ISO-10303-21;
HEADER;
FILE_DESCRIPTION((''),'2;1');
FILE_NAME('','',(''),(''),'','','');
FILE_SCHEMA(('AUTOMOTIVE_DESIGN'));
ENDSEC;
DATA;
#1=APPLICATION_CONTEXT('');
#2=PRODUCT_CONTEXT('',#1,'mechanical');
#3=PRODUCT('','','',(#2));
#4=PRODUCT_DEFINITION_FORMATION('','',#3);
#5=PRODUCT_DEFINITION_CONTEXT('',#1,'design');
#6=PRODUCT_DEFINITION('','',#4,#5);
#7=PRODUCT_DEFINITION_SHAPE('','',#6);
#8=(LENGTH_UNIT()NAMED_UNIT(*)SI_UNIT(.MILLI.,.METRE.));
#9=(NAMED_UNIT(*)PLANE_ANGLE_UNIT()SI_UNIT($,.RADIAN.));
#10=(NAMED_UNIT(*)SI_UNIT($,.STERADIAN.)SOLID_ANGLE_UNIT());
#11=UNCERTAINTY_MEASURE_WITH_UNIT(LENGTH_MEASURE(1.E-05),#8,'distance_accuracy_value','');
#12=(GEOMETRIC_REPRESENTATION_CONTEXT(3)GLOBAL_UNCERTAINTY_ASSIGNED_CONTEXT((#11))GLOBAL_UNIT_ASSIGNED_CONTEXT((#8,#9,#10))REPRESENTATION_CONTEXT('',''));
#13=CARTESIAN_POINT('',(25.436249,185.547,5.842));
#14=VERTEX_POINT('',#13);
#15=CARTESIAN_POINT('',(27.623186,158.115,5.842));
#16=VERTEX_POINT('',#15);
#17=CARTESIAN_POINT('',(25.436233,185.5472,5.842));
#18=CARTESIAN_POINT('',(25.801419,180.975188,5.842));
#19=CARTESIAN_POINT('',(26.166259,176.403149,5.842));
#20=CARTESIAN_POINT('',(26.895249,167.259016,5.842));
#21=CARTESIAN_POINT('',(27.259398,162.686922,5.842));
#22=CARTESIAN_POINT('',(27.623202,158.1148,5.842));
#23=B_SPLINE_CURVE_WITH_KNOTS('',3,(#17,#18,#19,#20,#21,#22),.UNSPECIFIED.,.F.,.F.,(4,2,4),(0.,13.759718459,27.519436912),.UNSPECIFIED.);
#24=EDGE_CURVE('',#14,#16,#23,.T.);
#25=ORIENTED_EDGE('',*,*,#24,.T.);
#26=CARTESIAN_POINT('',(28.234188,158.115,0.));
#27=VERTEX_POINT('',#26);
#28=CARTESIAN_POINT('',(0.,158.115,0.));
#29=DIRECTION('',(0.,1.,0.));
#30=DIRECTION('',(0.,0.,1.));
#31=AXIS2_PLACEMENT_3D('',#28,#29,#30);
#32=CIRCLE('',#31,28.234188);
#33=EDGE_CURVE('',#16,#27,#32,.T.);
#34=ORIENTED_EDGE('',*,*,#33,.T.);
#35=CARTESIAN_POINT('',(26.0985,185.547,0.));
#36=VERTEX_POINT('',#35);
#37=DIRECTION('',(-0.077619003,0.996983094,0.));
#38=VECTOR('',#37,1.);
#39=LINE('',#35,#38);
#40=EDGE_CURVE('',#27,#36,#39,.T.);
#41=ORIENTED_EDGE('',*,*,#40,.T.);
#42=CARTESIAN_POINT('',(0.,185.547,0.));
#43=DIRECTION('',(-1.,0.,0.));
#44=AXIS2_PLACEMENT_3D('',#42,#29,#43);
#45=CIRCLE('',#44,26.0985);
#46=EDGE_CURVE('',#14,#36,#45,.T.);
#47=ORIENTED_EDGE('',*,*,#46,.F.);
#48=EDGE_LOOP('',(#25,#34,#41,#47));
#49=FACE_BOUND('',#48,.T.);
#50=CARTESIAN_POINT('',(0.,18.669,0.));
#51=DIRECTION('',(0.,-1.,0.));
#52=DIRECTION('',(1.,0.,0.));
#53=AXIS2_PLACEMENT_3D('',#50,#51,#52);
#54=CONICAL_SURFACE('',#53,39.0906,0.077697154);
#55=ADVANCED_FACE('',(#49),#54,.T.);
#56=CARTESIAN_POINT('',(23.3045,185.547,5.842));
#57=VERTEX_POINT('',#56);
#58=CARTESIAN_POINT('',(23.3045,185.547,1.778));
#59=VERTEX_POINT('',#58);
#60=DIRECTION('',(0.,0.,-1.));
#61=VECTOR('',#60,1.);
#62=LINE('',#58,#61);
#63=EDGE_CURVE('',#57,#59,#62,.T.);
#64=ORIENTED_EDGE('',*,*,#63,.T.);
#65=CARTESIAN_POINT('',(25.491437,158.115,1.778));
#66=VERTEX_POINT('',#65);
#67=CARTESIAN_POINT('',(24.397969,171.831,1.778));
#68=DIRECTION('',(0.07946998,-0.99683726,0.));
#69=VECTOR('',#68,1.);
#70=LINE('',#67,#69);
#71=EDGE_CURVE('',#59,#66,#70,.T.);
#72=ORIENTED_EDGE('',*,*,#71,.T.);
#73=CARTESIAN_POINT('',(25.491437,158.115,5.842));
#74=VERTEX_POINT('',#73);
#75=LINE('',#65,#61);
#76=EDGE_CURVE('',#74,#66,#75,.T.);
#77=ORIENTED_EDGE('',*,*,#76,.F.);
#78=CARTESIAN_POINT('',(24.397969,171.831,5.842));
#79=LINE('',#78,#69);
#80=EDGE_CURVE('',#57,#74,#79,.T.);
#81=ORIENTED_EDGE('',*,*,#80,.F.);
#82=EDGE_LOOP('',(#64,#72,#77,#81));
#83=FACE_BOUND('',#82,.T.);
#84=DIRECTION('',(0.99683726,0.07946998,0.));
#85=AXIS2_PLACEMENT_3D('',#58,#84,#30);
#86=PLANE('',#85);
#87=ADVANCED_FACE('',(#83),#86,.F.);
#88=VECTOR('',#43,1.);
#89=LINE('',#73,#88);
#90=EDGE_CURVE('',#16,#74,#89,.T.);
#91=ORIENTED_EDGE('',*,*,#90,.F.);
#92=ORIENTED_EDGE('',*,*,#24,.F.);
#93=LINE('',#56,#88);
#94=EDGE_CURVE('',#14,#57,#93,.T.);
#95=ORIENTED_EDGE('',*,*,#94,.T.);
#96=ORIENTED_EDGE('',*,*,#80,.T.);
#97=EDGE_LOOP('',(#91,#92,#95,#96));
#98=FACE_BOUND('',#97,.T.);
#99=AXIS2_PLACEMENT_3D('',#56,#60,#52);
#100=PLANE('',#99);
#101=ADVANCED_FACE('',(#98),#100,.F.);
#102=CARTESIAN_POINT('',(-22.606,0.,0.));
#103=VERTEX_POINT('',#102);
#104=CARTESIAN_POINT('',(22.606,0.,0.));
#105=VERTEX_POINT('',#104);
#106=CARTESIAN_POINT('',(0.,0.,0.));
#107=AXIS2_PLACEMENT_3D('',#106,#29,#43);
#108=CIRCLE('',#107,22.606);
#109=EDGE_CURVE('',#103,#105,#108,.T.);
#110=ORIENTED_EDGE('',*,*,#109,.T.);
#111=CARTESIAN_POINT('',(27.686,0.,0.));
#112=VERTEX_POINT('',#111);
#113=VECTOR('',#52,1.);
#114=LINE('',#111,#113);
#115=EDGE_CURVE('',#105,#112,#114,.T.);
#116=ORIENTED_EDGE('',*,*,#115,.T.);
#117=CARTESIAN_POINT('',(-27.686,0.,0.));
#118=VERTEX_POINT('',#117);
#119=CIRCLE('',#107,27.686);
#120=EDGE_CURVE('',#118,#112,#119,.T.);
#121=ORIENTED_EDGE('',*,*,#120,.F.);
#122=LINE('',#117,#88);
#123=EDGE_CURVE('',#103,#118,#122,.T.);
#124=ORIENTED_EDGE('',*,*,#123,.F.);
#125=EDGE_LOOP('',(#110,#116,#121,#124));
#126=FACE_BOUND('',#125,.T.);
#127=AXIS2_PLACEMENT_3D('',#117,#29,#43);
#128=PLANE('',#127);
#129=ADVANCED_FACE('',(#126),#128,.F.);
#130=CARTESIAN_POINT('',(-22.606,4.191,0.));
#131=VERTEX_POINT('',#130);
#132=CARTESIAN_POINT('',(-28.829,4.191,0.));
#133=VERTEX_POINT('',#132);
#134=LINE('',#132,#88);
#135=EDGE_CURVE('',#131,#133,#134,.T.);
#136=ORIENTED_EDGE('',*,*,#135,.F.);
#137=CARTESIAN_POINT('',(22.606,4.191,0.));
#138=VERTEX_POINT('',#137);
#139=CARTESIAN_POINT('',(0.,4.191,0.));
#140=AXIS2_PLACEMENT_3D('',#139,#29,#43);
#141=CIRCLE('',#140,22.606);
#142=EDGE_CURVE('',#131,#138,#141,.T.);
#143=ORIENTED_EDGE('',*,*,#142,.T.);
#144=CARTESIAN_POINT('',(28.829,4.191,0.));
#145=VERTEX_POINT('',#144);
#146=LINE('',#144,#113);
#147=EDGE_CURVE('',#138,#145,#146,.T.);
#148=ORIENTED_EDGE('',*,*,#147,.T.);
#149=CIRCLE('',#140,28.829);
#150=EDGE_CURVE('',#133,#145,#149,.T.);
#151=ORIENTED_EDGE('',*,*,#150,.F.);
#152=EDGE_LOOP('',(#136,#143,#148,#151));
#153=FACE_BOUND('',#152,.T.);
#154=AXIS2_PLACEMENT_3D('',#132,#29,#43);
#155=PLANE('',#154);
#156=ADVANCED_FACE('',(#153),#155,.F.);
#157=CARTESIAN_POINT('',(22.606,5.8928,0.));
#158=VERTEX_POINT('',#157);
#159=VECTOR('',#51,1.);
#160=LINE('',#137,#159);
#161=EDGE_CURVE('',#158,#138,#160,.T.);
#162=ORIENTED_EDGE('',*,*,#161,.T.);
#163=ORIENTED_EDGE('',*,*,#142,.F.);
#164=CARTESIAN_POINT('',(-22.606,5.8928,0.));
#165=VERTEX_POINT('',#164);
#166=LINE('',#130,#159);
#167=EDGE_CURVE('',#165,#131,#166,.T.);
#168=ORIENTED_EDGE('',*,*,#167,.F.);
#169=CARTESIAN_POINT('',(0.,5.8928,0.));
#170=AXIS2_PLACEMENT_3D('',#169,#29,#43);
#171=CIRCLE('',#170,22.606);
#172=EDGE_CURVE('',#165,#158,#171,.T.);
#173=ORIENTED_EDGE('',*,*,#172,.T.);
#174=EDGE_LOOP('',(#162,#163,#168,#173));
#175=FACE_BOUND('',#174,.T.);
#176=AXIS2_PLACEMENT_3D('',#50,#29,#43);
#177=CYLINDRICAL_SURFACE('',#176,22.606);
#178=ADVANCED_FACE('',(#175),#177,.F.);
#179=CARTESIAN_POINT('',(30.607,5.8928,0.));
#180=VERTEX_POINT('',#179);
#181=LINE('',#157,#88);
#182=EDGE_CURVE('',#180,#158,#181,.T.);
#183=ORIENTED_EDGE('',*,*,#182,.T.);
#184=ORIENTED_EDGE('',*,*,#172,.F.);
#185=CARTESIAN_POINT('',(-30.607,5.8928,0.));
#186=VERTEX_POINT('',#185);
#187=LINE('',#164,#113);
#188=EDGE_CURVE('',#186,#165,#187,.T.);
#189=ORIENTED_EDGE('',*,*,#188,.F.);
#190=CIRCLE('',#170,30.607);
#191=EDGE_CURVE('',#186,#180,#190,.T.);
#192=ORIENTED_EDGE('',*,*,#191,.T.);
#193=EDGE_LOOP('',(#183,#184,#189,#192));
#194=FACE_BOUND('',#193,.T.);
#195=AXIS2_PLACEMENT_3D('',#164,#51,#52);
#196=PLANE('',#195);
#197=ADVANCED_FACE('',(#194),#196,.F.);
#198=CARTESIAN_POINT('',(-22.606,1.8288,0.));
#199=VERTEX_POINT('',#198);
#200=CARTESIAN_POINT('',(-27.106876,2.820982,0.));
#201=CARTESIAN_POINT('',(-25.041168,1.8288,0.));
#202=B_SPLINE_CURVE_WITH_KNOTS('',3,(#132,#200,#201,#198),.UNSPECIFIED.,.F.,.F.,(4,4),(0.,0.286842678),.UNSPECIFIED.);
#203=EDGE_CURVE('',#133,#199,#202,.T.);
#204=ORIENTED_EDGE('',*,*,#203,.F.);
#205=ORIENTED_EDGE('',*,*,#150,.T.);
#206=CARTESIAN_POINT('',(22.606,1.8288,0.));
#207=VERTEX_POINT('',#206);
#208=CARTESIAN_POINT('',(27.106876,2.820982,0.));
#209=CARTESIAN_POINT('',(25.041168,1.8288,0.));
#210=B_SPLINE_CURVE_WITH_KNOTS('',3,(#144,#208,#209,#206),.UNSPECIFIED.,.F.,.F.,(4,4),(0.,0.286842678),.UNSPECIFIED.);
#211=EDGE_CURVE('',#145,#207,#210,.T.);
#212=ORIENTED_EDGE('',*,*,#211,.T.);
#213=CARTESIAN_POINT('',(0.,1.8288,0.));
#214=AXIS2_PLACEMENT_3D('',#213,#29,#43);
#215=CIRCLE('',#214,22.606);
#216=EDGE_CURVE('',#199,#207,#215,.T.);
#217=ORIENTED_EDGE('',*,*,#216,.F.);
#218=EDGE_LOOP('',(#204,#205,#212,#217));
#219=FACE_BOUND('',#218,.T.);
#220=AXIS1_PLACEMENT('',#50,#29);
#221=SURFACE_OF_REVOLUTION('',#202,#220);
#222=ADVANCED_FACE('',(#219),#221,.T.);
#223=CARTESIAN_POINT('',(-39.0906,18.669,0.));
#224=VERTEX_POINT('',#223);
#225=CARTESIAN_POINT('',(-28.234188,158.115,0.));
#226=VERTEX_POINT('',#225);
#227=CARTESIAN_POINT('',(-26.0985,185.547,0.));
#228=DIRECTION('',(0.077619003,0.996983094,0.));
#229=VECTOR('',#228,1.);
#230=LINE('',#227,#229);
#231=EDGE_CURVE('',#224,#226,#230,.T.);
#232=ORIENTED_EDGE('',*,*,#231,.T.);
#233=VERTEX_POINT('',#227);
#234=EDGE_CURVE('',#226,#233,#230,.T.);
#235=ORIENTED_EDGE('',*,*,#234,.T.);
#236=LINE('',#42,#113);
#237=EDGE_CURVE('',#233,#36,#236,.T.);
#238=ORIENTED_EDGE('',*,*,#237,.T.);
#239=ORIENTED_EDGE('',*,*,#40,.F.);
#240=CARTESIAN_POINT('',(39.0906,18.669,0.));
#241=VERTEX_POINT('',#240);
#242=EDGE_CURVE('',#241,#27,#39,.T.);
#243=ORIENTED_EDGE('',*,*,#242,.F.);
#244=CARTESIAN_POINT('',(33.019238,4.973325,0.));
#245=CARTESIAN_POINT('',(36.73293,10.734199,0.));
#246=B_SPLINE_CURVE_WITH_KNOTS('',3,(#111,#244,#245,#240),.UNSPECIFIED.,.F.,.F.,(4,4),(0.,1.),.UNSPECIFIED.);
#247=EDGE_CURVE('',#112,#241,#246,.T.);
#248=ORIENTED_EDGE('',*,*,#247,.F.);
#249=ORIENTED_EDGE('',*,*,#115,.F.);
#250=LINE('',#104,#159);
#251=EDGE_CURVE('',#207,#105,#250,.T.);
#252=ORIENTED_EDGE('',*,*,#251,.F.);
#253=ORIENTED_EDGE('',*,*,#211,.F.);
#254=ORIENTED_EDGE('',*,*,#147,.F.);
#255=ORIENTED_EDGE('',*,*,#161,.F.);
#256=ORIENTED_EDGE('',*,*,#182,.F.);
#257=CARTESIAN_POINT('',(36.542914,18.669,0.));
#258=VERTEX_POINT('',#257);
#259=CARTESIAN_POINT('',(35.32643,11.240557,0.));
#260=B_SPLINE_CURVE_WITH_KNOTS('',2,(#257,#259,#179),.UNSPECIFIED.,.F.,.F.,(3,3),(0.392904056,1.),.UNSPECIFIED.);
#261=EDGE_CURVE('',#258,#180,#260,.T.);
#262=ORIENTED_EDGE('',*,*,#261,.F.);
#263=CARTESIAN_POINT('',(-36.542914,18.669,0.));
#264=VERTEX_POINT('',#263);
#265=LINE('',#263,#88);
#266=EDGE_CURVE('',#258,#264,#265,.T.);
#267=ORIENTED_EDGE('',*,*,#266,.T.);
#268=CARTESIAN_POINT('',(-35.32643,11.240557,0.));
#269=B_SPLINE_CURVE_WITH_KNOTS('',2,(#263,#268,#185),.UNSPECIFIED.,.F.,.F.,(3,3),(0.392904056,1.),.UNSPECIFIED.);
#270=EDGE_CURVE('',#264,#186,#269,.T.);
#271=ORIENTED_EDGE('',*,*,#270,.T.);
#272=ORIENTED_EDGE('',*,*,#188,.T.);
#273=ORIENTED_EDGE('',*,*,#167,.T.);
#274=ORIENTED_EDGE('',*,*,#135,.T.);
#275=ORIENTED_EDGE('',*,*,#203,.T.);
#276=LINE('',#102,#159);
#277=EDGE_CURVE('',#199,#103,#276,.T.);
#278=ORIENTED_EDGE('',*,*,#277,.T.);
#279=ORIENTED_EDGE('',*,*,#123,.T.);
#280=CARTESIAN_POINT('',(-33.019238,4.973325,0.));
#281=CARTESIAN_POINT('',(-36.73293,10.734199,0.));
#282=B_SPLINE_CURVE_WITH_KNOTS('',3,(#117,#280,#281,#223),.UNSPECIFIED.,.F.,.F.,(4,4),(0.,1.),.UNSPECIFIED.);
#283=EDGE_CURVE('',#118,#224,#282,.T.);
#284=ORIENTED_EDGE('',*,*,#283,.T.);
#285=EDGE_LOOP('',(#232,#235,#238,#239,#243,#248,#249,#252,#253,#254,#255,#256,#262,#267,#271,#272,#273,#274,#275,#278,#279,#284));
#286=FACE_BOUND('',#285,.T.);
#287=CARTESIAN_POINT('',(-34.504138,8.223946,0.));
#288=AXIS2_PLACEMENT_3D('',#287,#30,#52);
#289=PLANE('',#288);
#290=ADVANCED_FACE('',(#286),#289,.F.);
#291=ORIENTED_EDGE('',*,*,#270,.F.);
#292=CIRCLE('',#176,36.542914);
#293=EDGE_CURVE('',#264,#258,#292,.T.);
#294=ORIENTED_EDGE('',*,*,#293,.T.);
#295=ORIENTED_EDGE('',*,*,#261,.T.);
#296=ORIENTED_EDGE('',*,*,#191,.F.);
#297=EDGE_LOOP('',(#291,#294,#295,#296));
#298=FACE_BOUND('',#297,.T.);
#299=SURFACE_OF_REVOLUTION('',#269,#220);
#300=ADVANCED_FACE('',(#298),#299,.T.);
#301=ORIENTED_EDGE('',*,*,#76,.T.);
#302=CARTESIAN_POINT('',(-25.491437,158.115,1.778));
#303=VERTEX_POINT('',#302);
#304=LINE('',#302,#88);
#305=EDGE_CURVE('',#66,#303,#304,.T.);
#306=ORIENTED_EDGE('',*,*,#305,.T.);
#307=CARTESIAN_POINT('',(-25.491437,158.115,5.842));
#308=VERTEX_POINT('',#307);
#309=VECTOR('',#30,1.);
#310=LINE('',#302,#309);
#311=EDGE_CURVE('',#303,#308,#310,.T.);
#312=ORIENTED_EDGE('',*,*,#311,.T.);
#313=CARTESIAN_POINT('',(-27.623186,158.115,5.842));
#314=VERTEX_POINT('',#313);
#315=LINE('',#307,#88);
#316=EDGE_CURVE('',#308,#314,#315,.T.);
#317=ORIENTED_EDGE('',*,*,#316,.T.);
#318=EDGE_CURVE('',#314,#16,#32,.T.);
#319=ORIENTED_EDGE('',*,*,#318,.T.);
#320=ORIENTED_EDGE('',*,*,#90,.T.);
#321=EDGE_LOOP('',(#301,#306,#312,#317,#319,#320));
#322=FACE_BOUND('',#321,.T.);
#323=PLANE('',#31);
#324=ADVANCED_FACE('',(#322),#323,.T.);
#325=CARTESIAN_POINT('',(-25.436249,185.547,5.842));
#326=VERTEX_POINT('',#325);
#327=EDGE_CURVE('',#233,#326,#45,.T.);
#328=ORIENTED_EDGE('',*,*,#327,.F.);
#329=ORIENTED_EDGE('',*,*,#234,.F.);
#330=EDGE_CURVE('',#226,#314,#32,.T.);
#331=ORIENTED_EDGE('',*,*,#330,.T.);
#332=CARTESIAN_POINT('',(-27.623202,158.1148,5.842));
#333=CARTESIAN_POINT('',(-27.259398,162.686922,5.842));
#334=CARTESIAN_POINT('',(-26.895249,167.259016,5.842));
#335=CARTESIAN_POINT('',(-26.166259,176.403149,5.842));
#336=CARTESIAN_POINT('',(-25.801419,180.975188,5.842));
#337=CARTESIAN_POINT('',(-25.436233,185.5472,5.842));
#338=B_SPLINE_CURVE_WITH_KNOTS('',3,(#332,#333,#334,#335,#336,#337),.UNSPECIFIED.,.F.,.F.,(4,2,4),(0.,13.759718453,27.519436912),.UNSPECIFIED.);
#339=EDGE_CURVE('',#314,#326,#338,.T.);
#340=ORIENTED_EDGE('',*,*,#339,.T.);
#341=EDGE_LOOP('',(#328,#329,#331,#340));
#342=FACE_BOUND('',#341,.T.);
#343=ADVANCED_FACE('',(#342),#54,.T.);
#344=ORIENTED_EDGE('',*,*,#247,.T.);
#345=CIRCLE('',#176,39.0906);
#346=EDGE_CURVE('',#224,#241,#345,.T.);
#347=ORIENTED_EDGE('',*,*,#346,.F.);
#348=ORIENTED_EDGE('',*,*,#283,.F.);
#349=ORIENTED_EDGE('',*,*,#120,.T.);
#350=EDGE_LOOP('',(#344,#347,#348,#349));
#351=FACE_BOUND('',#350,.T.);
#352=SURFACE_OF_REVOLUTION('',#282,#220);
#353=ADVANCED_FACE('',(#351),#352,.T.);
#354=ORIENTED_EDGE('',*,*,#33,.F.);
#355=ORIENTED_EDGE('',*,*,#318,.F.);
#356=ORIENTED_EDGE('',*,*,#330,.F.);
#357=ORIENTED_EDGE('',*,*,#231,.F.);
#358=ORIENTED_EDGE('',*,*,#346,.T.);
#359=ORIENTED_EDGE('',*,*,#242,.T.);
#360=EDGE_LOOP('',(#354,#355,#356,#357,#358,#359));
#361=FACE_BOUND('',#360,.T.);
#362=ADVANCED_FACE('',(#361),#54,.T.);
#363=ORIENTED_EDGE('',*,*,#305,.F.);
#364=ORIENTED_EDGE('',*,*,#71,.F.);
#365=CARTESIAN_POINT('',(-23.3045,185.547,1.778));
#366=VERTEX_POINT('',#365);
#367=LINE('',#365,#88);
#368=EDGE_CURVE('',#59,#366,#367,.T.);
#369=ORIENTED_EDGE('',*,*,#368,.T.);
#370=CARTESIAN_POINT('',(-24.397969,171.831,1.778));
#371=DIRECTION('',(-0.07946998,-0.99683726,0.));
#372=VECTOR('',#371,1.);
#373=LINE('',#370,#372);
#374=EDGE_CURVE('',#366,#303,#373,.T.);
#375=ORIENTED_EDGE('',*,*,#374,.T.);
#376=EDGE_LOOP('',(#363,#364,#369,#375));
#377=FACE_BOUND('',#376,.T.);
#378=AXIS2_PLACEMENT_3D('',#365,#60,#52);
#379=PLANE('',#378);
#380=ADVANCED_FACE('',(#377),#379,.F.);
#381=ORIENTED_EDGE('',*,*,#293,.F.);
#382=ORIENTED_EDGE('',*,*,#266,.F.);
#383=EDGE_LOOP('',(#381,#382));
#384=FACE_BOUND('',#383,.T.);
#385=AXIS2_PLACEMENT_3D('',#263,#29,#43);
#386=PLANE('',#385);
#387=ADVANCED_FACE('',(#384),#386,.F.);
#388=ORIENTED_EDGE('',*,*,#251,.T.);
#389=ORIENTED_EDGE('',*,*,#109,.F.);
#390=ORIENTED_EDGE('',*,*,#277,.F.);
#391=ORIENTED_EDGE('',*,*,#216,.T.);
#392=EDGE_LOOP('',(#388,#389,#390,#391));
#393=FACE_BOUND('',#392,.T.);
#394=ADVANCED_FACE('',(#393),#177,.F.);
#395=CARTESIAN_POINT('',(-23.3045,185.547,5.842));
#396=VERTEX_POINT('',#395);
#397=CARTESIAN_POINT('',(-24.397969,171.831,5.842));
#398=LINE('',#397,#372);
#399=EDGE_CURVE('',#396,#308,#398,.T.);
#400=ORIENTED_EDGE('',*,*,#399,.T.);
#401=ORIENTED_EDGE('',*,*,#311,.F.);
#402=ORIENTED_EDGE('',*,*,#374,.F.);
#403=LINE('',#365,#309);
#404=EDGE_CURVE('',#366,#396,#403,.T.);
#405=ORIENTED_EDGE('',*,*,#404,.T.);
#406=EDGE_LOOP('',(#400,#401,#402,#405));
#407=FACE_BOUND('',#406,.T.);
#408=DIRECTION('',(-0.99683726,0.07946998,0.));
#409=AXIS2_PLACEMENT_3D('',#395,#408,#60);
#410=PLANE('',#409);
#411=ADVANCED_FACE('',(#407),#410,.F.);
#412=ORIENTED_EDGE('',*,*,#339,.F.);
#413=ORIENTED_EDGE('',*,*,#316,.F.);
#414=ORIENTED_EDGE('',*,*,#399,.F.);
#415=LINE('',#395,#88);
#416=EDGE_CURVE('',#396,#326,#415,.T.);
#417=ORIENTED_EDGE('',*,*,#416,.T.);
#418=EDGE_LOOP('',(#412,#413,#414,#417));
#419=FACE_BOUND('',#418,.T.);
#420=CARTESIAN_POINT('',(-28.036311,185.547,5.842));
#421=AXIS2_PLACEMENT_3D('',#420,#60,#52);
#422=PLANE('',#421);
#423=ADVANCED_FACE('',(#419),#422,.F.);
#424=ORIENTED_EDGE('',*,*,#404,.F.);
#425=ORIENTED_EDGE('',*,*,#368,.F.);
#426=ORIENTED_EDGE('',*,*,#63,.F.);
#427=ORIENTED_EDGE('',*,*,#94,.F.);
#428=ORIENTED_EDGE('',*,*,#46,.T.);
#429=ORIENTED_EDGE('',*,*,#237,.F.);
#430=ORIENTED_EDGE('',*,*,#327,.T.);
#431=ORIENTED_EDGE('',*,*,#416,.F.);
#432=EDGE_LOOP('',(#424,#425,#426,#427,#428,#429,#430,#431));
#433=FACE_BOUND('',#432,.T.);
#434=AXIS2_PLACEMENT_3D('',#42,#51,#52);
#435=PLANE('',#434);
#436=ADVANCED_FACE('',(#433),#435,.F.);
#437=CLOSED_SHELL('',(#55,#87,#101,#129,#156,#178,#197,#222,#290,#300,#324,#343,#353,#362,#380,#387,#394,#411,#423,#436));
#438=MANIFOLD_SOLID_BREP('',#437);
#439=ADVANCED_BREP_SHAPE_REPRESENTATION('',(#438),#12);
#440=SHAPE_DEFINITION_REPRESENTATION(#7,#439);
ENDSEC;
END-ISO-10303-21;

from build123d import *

# Parameters (mm, degrees)
REVOLVE1_ANGLE = 180


with BuildPart() as part:
    # Sketch1 → Revolve1 (revolve)
    with BuildSketch(Plane.XY):
        with BuildLine():
            Line((27.686, 0), (22.606, 0))
            Line((22.606, 0), (22.606, 1.8288))
            add(Edge.make_bspline(
                [(22.606, 1.8288), (25.041168082, 1.8288), (27.106875675, 2.820982452), (28.829, 4.191)],
                knots=[0, 0, 0, 0, 0.286842678, 0.286842678, 0.286842678, 0.286842678], degree=3))
            Line((28.829, 4.191), (22.606, 4.191))
            Line((22.606, 4.191), (22.606, 5.8928))
            Line((22.606, 5.8928), (30.607, 5.8928))
            add(Edge.make_bspline(
                [(30.607, 5.8928), (35.326430108, 11.240557446), (36.542913871, 18.669)],
                knots=[0.392904056, 0.392904056, 0.392904056, 1, 1, 1], degree=2))
            Line((36.542913871, 18.669), (0, 18.669))
            Line((0, 18.669), (0, 185.547))
            Line((0, 185.547), (26.0985, 185.547))
            Line((26.0985, 185.547), (39.0906, 18.669))
            add(Edge.make_bspline(
                [(27.686, 0), (33.019237831, 4.973324735), (36.732929961, 10.734198825), (39.0906, 18.669)],
                knots=[0, 0, 0, 0, 1, 1, 1, 1], degree=3))
        make_face()
    revolve(axis=Axis((0, 18.669, 0), (0, -1, 0)), revolution_arc=REVOLVE1_ANGLE)

    # Sketch2 for Cut-Loft1 → Cut-Loft1 section 0
    with BuildSketch(Plane(origin=(0, 185.547, 0), x_dir=(1, 0, 0), z_dir=(0, 1, 0))):
        with BuildLine():
            Line((-23.3045, -1.778), (23.3045, -1.778))
            Line((23.3045, -1.778), (23.3045, -5.842))
            Line((23.3045, -5.842), (25.43624851, -5.842))
            Line((25.43624851, -5.842), (28.03631071, -5.842))
            # circular arc as an exact rational Bezier (weights 1, cos(half-angle), 1)
            Bezier((28.03631071, -5.842), (0, -140.390907609), (-28.03631071, -5.842), weights=[1, 0.203991131, 1])
            Line((-28.03631071, -5.842), (-25.43624851, -5.842))
            Line((-25.43624851, -5.842), (-23.3045, -5.842))
            Line((-23.3045, -5.842), (-23.3045, -1.778))
        make_face()
    # Sketch4 for Cut-Loft1 → Cut-Loft1 section 1
    with BuildSketch(Plane(origin=(0, 158.115, 0), x_dir=(1, 0, 0), z_dir=(0, 1, 0))):
        with BuildLine():
            Line((-25.491437213, -1.778), (25.491437213, -1.778))
            Line((25.491437213, -1.778), (25.491437213, -5.842))
            Line((25.491437213, -5.842), (27.623185722, -5.842))
            Line((27.623185722, -5.842), (30.214593541, -5.842))
            Bezier((30.214593541, -5.842), (0, -162.110685865), (-30.214593541, -5.842), weights=[1, 0.189834418, 1])
            Line((-30.214593541, -5.842), (-27.623185722, -5.842))
            Line((-27.623185722, -5.842), (-25.491437213, -5.842))
            Line((-25.491437213, -5.842), (-25.491437213, -1.778))
        make_face()
    loft(mode=Mode.SUBTRACT)


solid = part.part
